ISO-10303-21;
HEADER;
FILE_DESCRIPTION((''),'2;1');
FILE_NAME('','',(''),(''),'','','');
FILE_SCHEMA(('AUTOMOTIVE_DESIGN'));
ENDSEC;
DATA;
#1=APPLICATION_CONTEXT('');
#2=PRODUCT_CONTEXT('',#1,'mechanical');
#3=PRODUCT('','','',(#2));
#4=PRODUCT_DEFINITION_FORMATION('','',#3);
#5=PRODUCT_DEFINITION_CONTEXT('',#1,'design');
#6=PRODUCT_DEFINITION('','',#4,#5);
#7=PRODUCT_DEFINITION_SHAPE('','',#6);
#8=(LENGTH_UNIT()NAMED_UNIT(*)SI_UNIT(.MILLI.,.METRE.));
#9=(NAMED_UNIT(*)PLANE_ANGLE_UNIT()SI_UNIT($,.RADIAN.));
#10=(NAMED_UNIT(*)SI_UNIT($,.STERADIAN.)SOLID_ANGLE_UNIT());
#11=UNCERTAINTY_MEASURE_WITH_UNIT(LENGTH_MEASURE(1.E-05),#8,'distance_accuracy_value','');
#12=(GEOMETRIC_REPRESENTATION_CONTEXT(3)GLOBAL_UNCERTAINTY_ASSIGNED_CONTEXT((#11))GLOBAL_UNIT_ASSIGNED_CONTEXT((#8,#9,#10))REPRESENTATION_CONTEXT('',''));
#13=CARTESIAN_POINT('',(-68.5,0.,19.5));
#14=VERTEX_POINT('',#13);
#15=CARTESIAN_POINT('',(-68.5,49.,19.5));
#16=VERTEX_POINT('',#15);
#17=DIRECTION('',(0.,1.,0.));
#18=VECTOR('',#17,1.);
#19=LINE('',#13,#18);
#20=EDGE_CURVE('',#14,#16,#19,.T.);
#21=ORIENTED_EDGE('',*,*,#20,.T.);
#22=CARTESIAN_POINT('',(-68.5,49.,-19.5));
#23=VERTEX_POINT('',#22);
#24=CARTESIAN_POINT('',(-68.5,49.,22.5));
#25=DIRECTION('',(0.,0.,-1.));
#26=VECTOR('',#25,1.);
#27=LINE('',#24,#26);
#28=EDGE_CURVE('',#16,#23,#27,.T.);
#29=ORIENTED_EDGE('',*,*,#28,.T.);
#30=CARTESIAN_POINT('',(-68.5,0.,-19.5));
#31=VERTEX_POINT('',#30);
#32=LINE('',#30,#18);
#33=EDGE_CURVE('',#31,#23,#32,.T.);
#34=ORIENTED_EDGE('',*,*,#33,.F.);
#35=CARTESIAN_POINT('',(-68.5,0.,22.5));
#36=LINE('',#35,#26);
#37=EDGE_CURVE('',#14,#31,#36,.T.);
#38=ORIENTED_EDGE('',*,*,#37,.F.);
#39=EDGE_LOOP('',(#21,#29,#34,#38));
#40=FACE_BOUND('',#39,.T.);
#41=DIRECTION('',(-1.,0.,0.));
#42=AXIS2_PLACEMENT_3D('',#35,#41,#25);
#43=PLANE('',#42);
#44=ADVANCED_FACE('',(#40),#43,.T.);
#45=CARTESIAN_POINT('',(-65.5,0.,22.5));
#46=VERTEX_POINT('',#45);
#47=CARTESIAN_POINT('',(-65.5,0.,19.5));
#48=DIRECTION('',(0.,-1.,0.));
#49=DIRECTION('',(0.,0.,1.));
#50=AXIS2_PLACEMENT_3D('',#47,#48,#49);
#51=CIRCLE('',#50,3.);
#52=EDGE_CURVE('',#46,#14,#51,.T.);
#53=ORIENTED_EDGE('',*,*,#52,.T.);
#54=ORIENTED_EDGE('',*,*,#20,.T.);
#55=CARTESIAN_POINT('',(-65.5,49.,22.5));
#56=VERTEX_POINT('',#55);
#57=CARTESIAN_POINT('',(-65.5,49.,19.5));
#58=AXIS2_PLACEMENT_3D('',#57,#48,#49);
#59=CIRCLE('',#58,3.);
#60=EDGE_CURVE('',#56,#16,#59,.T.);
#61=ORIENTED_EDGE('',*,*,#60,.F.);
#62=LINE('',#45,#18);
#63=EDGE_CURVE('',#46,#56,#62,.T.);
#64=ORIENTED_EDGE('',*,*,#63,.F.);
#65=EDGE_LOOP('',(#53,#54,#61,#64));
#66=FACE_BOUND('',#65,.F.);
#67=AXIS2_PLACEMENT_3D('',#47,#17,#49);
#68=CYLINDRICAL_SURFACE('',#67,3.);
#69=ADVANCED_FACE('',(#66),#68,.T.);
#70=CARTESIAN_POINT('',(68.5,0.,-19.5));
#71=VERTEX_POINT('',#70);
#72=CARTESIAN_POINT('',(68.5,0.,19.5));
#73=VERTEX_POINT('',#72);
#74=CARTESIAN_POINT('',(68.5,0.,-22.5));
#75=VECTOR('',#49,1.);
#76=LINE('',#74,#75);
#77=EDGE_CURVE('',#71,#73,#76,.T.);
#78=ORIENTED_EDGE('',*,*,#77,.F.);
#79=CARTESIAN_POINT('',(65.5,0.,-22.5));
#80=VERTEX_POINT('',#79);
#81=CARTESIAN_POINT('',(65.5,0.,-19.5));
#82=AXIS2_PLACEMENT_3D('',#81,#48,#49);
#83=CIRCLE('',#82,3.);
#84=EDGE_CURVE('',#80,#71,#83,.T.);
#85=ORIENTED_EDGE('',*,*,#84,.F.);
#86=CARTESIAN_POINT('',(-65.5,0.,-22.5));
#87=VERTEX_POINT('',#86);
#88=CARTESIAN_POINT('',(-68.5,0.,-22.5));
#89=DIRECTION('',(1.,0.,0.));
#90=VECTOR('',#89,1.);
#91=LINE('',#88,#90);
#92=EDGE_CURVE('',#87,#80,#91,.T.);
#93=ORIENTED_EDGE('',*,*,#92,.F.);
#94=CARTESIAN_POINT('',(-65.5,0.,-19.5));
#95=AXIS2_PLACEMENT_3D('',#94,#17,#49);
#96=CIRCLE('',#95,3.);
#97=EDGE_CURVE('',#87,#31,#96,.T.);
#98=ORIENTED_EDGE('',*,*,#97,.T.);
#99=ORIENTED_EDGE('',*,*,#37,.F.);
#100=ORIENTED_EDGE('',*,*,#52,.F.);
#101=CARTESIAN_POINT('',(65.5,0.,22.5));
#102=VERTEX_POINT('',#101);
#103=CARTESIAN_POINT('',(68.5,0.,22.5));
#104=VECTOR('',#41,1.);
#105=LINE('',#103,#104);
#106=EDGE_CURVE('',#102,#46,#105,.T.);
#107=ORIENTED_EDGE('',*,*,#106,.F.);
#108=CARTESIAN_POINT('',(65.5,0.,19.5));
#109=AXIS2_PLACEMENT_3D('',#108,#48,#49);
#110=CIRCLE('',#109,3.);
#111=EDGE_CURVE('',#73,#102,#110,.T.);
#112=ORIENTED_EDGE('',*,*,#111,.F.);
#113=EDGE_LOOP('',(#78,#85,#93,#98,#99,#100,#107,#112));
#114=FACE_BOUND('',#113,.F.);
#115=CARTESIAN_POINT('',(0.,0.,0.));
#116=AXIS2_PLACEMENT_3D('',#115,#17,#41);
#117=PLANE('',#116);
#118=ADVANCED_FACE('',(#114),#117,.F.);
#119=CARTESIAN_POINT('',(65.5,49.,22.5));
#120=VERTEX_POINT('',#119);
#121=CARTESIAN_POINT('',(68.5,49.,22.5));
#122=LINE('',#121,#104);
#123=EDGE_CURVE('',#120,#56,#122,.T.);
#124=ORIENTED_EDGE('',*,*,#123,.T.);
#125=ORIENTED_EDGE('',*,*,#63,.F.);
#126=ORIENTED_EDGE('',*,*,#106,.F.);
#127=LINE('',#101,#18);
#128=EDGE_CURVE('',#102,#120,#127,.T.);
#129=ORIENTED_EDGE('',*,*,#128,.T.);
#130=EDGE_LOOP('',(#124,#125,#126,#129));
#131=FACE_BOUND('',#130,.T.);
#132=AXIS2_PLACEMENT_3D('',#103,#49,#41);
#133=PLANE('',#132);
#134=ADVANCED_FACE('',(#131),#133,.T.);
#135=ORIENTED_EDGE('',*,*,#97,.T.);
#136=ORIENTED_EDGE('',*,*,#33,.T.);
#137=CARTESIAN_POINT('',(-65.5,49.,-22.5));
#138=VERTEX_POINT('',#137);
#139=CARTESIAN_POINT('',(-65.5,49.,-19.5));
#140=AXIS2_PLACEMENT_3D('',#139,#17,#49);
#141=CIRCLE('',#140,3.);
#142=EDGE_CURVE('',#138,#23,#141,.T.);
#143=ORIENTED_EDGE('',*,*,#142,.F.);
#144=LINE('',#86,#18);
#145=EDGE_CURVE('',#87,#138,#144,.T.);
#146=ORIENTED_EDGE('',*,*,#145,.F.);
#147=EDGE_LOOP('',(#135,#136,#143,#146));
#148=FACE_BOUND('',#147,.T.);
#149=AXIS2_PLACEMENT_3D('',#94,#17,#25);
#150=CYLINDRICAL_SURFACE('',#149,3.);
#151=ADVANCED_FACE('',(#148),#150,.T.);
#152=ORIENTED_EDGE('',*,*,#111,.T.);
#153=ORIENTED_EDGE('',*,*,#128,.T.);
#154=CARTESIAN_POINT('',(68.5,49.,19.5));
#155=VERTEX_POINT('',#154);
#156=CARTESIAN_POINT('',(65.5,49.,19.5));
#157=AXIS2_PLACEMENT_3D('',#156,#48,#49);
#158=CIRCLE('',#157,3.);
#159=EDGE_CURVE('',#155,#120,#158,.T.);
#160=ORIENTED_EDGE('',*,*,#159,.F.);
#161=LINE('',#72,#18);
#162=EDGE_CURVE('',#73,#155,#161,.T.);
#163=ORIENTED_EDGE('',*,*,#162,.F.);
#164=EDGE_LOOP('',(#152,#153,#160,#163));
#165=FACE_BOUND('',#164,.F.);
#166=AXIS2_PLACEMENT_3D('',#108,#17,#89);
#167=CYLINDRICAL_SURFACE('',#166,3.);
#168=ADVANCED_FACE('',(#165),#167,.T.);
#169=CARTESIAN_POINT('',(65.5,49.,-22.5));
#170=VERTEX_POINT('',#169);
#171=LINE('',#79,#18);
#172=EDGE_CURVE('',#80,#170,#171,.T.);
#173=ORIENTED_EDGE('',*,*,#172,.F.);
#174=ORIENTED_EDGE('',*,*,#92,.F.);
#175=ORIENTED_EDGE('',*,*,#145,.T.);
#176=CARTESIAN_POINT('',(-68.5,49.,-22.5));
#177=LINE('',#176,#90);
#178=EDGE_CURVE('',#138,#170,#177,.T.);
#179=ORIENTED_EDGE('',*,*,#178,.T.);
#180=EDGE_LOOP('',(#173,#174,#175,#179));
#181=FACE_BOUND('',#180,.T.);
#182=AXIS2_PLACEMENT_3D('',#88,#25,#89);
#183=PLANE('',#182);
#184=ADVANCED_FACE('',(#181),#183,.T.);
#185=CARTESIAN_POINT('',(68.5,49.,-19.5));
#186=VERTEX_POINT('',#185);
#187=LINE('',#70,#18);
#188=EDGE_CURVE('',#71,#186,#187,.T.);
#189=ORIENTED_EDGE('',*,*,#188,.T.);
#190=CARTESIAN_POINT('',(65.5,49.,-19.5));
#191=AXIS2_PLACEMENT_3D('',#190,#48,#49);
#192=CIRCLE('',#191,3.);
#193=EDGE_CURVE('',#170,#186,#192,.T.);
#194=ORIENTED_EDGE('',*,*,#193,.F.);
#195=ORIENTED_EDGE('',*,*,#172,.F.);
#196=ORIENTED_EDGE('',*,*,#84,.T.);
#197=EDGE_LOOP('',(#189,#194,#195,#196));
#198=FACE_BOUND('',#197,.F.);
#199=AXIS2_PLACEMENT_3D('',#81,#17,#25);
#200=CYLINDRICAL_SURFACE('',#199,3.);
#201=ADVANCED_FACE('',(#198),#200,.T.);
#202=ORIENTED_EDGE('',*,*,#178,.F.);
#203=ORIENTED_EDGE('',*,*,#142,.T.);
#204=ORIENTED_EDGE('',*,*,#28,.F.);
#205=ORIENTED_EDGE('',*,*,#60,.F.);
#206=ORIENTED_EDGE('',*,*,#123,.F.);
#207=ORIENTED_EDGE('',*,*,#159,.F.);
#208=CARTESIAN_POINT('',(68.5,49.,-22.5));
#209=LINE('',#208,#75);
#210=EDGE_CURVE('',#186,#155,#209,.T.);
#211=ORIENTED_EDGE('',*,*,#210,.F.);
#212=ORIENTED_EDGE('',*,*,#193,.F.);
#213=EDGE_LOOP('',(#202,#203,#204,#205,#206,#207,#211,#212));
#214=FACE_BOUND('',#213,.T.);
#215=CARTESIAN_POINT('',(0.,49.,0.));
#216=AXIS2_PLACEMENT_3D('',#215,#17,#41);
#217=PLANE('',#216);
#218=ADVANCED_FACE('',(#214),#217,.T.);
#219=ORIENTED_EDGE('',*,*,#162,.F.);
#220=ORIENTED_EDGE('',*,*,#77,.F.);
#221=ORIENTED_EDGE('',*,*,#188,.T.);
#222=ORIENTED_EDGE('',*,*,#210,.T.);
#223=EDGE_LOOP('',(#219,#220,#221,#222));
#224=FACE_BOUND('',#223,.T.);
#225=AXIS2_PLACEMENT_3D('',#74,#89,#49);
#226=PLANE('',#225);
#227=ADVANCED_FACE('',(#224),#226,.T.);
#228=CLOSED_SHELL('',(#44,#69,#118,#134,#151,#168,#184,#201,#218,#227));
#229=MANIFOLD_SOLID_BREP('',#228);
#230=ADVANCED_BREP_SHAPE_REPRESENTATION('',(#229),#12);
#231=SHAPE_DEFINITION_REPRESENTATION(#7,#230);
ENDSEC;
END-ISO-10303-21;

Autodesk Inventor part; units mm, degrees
ref_plane "YZ Plane" through (0, 0, 0) normal (1, 0, 0) x (0, 1, 0)
ref_plane "XZ Plane" through (0, 0, 0) normal (0, 1, 0) x (-1, 0, 0)
ref_plane "XY Plane" through (0, 0, 0) normal (0, 0, 1) x (1, 0, 0)
sketch "Sketch1" plane through (0, 0, 0) normal (0, 1, 0) x (-1, 0, 0)
  line L0 (68.5, -22.5) -> (-68.5, -22.5)
  line L1 (-68.5, -22.5) -> (-68.5, 22.5)
  line L2 (-68.5, 22.5) -> (68.5, 22.5)
  line L3 (68.5, 22.5) -> (68.5, -22.5)
  line L4 (68.5, -22.5) -> (-68.5, 22.5) construction
  line L5 (-68.5, -22.5) -> (68.5, 22.5) construction
  point P0 (0, 0)
  dimension "d0" = 137
  dimension "d1" = 45
extrude "Extrusion1" add sketch "Sketch1" along normal blind 49
fillet "Fillet1" radius 3 4 edges at (-68.5, 24.5, 22.5) (-68.5, 24.5, -22.5) (68.5, 24.5, -22.5) (68.5, 24.5, 22.5)
properties part number "MaxAmps_battery"
